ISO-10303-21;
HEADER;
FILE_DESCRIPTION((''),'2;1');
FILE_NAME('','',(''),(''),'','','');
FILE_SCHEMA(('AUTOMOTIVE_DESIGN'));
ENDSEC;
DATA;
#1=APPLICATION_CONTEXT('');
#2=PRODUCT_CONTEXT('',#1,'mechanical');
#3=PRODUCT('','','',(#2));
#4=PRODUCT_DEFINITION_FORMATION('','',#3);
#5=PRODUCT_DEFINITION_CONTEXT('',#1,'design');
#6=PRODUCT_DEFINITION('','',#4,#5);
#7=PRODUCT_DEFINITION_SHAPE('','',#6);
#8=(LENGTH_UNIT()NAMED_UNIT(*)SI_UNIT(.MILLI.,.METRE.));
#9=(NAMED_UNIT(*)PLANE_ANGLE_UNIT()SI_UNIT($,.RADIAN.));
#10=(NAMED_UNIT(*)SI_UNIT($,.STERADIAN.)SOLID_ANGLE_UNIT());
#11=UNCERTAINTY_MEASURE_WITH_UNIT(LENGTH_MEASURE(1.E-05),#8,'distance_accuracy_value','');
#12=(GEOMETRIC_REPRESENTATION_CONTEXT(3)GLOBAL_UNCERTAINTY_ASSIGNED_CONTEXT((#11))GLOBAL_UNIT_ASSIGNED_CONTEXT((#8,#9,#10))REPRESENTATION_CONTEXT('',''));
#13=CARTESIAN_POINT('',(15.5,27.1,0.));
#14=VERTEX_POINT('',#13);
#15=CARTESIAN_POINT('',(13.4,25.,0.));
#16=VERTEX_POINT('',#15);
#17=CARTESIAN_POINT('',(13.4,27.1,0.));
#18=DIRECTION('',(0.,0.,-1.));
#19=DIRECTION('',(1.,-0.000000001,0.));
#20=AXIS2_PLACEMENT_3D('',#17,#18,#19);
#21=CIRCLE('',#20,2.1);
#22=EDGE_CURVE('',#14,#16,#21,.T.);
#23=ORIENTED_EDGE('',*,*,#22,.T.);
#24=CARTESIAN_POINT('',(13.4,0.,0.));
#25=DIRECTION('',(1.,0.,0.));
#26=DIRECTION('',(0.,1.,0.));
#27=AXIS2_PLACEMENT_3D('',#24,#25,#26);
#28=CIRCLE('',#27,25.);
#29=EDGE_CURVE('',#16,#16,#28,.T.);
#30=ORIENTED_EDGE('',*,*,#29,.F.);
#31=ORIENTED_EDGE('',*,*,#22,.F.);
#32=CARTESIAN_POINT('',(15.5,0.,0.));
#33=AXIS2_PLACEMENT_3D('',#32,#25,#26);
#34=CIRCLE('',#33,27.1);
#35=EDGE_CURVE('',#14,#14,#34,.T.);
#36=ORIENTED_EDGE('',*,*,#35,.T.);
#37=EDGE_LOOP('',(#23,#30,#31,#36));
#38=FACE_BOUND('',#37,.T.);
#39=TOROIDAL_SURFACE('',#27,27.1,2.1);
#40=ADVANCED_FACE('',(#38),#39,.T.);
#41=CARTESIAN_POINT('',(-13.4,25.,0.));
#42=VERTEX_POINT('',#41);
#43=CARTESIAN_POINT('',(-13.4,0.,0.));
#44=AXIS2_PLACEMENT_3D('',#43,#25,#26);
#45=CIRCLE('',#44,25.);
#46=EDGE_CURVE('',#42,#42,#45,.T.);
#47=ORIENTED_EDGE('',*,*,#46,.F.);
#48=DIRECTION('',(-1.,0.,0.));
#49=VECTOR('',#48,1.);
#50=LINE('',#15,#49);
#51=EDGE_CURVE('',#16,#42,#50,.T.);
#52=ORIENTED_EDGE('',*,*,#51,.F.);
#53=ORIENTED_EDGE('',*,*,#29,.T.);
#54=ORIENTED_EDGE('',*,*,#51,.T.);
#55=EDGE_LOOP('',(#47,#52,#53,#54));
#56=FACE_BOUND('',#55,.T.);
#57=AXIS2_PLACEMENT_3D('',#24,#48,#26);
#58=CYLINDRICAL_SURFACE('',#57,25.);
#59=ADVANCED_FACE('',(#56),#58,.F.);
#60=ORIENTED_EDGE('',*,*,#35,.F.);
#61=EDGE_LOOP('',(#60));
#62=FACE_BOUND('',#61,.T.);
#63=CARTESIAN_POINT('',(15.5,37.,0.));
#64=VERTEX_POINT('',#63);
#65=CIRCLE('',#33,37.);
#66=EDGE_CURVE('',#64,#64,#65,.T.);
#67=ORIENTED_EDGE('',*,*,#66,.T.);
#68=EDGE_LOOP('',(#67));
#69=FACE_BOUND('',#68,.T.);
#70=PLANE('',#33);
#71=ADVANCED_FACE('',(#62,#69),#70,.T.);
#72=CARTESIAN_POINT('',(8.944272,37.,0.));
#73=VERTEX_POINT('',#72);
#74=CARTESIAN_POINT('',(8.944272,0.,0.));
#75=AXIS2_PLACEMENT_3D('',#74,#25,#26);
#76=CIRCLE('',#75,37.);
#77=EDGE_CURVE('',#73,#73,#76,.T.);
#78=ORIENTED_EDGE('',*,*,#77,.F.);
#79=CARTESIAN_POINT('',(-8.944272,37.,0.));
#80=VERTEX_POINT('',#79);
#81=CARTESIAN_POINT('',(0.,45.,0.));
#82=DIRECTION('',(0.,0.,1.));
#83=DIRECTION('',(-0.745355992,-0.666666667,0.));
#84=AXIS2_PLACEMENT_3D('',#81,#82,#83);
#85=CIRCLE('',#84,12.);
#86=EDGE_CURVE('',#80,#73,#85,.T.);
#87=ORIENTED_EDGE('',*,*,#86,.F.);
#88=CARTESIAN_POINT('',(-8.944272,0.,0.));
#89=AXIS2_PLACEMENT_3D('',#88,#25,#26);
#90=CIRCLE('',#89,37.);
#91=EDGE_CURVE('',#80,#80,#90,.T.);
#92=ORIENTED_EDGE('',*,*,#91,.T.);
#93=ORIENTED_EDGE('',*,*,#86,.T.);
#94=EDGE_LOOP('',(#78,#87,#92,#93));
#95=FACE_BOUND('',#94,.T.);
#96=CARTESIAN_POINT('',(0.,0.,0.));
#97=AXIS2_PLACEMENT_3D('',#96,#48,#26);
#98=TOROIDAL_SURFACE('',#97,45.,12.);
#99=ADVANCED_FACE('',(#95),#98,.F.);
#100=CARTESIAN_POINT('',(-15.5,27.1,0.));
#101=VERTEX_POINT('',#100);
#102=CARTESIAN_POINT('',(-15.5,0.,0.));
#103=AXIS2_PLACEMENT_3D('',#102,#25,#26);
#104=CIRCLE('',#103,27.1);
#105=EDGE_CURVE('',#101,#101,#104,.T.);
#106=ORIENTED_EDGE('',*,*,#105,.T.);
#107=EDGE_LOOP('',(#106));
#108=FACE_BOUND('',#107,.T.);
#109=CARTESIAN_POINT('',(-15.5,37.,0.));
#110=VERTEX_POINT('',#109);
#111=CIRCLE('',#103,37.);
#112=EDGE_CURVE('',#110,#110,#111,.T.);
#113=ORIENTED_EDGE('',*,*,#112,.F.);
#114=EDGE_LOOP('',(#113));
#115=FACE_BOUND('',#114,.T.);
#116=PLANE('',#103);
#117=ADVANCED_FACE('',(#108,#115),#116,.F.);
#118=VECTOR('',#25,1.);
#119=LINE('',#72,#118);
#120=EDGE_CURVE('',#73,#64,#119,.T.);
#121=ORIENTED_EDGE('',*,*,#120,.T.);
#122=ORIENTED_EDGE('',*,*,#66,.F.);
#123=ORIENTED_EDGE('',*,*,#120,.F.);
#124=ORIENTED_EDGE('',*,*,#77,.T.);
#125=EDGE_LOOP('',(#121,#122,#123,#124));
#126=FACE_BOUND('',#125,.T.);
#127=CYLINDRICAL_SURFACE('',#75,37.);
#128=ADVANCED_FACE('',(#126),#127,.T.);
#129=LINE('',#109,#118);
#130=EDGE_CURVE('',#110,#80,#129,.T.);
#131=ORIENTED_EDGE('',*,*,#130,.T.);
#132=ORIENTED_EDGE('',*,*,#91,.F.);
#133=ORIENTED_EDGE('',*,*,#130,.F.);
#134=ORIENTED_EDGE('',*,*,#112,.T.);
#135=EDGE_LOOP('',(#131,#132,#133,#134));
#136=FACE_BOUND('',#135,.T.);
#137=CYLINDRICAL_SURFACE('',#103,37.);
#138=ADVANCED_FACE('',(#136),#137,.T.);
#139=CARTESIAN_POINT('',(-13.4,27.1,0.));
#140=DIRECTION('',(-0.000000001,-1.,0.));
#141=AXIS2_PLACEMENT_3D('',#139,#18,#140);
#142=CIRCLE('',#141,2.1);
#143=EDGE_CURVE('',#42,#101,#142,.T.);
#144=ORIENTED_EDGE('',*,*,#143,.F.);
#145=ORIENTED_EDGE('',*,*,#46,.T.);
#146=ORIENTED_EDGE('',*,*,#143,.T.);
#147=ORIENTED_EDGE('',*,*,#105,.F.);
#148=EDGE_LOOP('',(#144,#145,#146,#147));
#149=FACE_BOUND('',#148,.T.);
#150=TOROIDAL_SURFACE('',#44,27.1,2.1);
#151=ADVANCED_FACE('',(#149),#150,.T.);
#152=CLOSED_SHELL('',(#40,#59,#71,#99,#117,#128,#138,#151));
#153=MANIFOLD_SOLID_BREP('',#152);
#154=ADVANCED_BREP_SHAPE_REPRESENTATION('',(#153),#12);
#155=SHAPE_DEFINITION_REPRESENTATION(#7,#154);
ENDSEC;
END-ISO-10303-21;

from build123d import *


with BuildPart() as part:
    # Sketch1 → Revolve1 (revolve)
    with BuildSketch(Plane.XY):
        with BuildLine():
            Line((8.94427191, 37), (15.5, 37))
            Line((15.5, 37), (15.5, 27.1))
            ThreePointArc((15.5, 27.1), (14.88492424, 25.61507576), (13.4, 25))
            Line((13.4, 25), (-13.4, 25))
            ThreePointArc((-13.4, 25), (-14.88492424, 25.61507576), (-15.5, 27.1))
            Line((-15.5, 27.1), (-15.5, 37))
            Line((-15.5, 37), (-8.94427191, 37))
            ThreePointArc((-8.94427191, 37), (0, 33), (8.94427191, 37))
        make_face()
    revolve(axis=Axis((-62.704140917, 0, 0), (1, 0, 0)))


solid = part.part
